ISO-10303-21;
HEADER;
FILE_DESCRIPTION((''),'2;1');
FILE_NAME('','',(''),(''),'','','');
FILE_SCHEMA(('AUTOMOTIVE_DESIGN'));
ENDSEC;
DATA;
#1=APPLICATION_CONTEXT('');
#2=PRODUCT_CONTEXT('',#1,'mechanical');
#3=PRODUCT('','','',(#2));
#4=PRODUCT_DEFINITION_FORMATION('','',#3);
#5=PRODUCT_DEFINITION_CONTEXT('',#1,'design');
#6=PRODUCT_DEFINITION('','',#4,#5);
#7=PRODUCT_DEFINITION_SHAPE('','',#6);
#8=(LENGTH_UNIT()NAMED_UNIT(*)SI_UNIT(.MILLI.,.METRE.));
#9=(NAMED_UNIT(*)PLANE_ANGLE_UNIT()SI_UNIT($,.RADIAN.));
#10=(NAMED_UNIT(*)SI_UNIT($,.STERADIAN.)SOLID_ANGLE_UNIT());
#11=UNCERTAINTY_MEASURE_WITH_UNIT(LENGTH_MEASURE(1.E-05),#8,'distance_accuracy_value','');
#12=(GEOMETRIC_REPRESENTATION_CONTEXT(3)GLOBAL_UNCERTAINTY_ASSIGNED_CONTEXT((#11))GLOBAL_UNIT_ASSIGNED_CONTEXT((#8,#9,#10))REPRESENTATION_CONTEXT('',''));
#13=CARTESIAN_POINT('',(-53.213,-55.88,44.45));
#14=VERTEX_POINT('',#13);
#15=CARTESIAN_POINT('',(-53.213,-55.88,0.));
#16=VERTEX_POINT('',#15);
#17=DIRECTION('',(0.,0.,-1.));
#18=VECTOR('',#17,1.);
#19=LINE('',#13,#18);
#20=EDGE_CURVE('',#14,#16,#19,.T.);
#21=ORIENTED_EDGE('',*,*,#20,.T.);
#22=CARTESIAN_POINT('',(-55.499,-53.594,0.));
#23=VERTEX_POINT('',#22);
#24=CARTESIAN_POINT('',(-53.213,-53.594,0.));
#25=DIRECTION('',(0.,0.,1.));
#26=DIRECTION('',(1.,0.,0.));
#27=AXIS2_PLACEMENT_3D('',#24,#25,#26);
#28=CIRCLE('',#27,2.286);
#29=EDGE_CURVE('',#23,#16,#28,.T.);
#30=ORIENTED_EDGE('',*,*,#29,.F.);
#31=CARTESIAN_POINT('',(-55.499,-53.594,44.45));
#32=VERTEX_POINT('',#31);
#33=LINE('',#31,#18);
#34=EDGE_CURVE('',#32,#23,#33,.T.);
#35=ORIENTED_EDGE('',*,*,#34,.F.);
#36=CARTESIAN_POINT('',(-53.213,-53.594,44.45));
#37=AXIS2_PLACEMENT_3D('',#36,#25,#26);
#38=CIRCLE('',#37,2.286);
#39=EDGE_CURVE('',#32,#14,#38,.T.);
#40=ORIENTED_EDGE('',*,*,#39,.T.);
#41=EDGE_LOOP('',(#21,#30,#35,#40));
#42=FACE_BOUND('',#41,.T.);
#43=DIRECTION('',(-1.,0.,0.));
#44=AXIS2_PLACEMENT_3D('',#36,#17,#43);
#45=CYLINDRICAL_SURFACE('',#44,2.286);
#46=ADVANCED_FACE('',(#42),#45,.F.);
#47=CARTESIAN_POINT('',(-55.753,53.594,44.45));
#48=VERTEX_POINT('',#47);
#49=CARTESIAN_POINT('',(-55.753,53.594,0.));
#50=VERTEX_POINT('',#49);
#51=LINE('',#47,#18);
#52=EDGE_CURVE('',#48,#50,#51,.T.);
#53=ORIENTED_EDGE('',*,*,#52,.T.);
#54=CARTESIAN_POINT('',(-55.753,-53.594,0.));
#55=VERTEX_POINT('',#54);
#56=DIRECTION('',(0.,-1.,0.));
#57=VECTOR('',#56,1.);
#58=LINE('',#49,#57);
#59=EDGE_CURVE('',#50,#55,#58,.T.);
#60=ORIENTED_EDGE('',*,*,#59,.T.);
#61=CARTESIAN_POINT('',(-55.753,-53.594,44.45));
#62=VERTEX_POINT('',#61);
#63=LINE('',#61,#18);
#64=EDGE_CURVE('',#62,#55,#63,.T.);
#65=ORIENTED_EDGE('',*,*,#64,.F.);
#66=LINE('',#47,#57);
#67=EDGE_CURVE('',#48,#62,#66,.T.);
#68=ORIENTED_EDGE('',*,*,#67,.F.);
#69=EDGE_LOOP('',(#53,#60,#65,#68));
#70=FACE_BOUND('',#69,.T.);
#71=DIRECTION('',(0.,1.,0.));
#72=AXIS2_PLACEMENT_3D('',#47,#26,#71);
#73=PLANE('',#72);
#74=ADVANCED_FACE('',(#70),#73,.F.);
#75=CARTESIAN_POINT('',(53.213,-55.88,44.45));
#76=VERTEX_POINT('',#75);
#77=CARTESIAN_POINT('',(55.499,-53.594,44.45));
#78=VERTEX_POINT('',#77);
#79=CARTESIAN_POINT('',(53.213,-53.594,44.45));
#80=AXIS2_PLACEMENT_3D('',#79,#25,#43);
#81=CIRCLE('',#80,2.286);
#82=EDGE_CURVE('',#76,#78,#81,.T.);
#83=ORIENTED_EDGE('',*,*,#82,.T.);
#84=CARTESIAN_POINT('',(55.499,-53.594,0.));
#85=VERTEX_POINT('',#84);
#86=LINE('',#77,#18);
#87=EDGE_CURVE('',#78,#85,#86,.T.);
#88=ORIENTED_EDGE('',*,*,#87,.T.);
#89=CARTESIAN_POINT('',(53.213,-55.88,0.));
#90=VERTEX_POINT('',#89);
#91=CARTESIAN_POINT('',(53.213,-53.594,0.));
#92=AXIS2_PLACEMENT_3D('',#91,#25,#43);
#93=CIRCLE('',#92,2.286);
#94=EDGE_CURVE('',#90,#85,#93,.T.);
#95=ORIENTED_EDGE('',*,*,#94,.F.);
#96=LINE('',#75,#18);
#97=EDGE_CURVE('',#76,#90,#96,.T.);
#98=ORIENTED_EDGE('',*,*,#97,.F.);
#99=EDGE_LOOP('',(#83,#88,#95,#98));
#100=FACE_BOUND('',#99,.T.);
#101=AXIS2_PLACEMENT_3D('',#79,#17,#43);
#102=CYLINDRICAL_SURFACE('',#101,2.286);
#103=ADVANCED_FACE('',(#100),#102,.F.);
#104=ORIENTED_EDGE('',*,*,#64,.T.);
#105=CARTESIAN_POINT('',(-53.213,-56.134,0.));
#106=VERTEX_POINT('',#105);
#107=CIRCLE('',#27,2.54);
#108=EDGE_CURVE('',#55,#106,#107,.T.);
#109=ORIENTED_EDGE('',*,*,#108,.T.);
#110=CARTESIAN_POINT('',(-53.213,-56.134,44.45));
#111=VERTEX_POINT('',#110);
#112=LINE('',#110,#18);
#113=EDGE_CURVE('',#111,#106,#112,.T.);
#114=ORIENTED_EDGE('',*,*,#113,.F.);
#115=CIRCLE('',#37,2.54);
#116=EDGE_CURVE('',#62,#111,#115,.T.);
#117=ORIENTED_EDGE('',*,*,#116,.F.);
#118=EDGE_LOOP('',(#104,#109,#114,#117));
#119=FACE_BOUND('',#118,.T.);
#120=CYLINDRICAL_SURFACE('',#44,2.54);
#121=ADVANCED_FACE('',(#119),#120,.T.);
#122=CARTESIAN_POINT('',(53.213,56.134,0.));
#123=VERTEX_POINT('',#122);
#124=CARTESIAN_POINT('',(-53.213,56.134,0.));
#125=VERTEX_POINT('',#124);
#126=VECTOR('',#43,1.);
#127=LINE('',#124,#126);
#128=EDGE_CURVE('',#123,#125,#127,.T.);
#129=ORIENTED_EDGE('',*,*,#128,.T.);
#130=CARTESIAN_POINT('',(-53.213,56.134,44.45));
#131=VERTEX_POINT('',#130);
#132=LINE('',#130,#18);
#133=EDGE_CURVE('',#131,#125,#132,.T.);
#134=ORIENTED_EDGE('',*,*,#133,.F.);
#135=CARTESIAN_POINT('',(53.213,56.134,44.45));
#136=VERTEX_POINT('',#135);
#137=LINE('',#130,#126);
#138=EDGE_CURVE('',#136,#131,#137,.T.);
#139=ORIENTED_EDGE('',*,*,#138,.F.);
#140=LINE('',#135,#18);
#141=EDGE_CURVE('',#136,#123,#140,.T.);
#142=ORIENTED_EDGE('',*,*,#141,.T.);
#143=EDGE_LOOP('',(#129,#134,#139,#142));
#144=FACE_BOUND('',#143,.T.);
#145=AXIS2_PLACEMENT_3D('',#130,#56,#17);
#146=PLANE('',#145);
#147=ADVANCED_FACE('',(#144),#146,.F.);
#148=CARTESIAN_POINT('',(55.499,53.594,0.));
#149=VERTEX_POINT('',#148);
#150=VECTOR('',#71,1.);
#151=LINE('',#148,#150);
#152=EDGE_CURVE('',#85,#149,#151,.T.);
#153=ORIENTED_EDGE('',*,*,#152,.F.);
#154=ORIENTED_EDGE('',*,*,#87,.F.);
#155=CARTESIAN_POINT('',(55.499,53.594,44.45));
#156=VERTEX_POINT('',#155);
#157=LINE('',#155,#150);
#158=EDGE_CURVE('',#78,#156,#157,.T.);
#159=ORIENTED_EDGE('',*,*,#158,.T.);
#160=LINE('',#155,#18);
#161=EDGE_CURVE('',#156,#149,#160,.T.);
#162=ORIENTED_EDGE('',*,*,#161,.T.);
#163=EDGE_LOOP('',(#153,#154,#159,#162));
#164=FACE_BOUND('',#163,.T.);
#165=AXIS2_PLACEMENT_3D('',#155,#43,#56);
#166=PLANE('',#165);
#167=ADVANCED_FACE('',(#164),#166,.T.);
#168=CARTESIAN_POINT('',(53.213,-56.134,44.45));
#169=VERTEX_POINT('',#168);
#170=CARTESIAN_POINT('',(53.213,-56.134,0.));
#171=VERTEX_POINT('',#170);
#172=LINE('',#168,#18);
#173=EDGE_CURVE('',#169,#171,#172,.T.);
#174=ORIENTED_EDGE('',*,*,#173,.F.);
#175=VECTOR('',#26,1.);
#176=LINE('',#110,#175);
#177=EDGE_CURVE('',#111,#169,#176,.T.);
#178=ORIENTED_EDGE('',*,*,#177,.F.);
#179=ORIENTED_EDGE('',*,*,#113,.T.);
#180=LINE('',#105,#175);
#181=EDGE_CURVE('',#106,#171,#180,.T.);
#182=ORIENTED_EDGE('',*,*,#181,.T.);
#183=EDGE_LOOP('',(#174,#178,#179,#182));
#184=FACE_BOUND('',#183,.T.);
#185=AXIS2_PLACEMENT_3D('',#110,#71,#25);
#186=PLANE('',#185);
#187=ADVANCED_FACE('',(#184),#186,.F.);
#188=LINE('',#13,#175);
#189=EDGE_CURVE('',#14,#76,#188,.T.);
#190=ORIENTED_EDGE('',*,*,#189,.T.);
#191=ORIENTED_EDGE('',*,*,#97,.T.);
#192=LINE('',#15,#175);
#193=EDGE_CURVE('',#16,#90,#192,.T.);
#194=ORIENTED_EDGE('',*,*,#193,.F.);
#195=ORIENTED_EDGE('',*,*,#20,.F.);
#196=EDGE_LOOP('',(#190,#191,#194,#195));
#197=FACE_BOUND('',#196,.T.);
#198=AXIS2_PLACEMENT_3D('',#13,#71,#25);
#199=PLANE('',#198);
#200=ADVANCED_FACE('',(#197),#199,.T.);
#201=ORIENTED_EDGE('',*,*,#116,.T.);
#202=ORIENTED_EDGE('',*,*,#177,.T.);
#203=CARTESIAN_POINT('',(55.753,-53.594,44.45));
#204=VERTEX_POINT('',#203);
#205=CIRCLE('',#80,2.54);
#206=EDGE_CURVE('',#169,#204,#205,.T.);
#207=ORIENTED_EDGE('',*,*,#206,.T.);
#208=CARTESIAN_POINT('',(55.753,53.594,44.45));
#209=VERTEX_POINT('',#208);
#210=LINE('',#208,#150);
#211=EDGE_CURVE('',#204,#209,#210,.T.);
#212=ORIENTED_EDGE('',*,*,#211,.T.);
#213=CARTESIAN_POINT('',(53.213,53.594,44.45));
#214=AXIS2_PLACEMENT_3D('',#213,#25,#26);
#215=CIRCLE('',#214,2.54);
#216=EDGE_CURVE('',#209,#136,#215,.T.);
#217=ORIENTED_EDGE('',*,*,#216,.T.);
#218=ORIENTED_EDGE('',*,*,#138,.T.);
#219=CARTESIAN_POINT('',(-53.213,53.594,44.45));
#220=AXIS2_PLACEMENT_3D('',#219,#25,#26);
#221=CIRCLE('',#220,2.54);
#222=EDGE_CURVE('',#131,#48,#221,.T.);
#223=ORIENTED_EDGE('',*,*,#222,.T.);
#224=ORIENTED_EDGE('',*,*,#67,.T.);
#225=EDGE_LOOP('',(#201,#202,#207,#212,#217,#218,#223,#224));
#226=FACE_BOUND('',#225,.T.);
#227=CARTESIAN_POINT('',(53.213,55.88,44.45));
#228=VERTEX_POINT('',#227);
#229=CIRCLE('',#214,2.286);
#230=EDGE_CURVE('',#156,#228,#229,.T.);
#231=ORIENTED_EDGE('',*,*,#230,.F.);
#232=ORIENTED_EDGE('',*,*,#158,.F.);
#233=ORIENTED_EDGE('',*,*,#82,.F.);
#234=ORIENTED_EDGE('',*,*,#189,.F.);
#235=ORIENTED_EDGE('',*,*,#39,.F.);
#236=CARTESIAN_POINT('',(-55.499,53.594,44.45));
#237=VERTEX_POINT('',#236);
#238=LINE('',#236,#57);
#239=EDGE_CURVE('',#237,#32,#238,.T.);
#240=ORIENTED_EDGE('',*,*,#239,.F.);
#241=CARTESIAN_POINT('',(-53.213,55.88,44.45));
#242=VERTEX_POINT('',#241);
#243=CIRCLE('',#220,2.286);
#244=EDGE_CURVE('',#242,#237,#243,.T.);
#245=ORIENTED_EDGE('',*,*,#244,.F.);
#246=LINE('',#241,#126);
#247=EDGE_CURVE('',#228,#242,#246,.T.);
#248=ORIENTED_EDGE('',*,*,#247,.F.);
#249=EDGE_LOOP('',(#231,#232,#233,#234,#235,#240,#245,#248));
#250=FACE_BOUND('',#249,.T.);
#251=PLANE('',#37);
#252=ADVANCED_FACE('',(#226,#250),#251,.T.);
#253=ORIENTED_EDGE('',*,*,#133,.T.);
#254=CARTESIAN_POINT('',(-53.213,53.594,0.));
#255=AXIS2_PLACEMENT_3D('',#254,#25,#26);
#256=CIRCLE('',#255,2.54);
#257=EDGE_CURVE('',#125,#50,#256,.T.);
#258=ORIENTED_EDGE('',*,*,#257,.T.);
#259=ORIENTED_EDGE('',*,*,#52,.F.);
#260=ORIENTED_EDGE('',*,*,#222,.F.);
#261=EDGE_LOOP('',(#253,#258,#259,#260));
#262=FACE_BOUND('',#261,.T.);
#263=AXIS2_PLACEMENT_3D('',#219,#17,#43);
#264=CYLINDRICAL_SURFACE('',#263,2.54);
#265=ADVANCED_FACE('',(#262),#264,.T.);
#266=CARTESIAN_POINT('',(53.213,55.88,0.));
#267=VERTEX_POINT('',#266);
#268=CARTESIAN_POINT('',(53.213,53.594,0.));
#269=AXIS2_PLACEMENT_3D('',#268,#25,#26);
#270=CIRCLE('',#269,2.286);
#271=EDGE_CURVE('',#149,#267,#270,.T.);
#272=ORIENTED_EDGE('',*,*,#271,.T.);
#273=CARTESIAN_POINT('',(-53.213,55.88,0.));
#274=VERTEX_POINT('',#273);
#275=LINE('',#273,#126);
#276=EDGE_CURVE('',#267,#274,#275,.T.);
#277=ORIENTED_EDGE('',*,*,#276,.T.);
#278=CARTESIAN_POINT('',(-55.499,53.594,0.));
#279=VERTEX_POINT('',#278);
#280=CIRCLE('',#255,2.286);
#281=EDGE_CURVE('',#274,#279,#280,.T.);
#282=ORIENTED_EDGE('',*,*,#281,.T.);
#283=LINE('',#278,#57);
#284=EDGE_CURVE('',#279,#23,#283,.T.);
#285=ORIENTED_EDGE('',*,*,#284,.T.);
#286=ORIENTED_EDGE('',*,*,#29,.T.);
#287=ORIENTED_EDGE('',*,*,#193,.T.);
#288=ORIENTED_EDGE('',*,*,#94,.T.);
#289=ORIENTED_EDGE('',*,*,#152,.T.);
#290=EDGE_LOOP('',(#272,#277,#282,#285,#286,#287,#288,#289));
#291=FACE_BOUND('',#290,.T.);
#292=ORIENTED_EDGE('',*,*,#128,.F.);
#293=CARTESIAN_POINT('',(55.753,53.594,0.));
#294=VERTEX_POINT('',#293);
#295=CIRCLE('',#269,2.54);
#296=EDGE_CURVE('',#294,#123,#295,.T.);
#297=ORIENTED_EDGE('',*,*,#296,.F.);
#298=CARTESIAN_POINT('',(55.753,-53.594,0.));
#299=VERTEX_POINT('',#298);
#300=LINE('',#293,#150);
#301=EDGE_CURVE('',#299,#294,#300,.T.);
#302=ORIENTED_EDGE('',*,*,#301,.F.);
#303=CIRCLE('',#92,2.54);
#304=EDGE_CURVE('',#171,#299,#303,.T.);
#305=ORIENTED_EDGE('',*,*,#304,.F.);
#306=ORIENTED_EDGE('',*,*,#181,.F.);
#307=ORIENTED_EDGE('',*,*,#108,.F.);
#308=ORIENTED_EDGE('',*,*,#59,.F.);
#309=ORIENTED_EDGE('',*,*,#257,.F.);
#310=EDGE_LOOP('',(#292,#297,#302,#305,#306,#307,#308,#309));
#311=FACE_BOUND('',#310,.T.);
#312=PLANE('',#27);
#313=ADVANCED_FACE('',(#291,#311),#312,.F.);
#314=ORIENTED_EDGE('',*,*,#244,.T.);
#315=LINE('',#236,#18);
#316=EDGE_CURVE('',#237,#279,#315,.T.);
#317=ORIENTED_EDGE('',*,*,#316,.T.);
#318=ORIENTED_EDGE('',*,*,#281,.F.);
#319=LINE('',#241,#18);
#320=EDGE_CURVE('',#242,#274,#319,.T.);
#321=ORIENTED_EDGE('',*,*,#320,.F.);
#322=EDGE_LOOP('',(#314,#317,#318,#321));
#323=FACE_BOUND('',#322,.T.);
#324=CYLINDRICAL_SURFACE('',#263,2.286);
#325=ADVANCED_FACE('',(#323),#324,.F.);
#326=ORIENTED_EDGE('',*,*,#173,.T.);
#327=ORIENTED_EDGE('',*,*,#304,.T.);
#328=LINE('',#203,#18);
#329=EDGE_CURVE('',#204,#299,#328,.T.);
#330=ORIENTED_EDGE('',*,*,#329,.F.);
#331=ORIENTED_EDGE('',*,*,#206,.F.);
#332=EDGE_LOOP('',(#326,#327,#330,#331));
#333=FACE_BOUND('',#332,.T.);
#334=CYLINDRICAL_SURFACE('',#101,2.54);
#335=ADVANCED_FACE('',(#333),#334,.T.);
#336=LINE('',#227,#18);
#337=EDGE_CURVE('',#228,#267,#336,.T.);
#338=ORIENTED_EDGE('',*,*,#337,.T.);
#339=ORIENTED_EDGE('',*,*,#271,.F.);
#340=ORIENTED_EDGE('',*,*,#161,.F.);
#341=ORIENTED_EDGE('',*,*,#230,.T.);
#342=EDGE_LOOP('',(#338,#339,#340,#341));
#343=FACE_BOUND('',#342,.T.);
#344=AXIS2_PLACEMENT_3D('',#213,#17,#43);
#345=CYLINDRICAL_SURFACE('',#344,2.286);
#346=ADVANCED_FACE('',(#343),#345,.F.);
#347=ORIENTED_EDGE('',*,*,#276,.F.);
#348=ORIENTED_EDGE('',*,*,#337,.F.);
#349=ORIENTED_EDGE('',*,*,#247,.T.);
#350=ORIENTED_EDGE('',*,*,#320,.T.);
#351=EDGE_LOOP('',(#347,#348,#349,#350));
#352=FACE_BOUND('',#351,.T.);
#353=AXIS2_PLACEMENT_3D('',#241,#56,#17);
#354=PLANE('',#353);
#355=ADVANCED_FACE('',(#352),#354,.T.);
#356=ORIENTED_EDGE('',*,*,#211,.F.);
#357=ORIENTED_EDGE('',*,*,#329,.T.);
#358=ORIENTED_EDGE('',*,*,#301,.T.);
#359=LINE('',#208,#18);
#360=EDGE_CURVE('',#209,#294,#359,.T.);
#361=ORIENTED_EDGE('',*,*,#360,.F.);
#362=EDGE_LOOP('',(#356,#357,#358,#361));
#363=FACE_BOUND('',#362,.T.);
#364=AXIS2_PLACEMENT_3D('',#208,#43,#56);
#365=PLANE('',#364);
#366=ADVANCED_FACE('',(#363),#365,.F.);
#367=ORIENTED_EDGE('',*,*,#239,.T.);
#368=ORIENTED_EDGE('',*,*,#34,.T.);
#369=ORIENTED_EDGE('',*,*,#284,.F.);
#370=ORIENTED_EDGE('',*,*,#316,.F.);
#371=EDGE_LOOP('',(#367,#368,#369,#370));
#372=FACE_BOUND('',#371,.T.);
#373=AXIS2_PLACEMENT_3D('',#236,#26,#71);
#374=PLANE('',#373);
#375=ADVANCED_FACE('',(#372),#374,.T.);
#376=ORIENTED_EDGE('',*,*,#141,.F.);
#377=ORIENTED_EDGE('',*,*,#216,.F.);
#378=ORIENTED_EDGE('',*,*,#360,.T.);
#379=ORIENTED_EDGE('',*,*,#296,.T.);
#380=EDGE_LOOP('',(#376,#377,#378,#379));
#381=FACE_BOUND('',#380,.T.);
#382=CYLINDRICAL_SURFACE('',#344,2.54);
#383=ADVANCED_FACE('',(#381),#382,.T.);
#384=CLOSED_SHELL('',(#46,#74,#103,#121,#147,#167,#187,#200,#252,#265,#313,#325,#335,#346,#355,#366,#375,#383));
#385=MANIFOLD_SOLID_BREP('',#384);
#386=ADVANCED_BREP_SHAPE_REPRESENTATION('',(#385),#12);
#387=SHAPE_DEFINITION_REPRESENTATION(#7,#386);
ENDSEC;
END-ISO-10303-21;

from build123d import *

# Parameters (mm, degrees)
BOSS_EXTRUDE1_DEPTH = 44.45


with BuildPart() as part:
    # Sketch1 → Boss-Extrude1 (new body)
    with BuildSketch(Plane.XY):
        with BuildLine():
            Line((-53.213, 56.134), (53.213, 56.134))
            ThreePointArc((53.213, 56.134), (55.009051224, 55.390051224), (55.753, 53.594))
            Line((55.753, 53.594), (55.753, -53.594))
            ThreePointArc((55.753, -53.594), (55.009051224, -55.390051224), (53.213, -56.134))
            Line((53.213, -56.134), (-53.213, -56.134))
            ThreePointArc((-53.213, -56.134), (-55.009051224, -55.390051224), (-55.753, -53.594))
            Line((-55.753, -53.594), (-55.753, 53.594))
            ThreePointArc((-55.753, 53.594), (-55.009051224, 55.390051224), (-53.213, 56.134))
        make_face()
        with BuildLine():
            Line((-55.499, 53.594), (-55.499, -53.594))
            ThreePointArc((-55.499, -53.594), (-54.829446102, -55.210446102), (-53.213, -55.88))
            Line((-53.213, -55.88), (53.213, -55.88))
            ThreePointArc((53.213, -55.88), (54.829446102, -55.210446102), (55.499, -53.594))
            Line((55.499, -53.594), (55.499, 53.594))
            ThreePointArc((55.499, 53.594), (54.829446102, 55.210446102), (53.213, 55.88))
            Line((53.213, 55.88), (-53.213, 55.88))
            ThreePointArc((-53.213, 55.88), (-54.829446102, 55.210446102), (-55.499, 53.594))
        make_face(mode=Mode.SUBTRACT)
    extrude(amount=BOSS_EXTRUDE1_DEPTH)


solid = part.part
